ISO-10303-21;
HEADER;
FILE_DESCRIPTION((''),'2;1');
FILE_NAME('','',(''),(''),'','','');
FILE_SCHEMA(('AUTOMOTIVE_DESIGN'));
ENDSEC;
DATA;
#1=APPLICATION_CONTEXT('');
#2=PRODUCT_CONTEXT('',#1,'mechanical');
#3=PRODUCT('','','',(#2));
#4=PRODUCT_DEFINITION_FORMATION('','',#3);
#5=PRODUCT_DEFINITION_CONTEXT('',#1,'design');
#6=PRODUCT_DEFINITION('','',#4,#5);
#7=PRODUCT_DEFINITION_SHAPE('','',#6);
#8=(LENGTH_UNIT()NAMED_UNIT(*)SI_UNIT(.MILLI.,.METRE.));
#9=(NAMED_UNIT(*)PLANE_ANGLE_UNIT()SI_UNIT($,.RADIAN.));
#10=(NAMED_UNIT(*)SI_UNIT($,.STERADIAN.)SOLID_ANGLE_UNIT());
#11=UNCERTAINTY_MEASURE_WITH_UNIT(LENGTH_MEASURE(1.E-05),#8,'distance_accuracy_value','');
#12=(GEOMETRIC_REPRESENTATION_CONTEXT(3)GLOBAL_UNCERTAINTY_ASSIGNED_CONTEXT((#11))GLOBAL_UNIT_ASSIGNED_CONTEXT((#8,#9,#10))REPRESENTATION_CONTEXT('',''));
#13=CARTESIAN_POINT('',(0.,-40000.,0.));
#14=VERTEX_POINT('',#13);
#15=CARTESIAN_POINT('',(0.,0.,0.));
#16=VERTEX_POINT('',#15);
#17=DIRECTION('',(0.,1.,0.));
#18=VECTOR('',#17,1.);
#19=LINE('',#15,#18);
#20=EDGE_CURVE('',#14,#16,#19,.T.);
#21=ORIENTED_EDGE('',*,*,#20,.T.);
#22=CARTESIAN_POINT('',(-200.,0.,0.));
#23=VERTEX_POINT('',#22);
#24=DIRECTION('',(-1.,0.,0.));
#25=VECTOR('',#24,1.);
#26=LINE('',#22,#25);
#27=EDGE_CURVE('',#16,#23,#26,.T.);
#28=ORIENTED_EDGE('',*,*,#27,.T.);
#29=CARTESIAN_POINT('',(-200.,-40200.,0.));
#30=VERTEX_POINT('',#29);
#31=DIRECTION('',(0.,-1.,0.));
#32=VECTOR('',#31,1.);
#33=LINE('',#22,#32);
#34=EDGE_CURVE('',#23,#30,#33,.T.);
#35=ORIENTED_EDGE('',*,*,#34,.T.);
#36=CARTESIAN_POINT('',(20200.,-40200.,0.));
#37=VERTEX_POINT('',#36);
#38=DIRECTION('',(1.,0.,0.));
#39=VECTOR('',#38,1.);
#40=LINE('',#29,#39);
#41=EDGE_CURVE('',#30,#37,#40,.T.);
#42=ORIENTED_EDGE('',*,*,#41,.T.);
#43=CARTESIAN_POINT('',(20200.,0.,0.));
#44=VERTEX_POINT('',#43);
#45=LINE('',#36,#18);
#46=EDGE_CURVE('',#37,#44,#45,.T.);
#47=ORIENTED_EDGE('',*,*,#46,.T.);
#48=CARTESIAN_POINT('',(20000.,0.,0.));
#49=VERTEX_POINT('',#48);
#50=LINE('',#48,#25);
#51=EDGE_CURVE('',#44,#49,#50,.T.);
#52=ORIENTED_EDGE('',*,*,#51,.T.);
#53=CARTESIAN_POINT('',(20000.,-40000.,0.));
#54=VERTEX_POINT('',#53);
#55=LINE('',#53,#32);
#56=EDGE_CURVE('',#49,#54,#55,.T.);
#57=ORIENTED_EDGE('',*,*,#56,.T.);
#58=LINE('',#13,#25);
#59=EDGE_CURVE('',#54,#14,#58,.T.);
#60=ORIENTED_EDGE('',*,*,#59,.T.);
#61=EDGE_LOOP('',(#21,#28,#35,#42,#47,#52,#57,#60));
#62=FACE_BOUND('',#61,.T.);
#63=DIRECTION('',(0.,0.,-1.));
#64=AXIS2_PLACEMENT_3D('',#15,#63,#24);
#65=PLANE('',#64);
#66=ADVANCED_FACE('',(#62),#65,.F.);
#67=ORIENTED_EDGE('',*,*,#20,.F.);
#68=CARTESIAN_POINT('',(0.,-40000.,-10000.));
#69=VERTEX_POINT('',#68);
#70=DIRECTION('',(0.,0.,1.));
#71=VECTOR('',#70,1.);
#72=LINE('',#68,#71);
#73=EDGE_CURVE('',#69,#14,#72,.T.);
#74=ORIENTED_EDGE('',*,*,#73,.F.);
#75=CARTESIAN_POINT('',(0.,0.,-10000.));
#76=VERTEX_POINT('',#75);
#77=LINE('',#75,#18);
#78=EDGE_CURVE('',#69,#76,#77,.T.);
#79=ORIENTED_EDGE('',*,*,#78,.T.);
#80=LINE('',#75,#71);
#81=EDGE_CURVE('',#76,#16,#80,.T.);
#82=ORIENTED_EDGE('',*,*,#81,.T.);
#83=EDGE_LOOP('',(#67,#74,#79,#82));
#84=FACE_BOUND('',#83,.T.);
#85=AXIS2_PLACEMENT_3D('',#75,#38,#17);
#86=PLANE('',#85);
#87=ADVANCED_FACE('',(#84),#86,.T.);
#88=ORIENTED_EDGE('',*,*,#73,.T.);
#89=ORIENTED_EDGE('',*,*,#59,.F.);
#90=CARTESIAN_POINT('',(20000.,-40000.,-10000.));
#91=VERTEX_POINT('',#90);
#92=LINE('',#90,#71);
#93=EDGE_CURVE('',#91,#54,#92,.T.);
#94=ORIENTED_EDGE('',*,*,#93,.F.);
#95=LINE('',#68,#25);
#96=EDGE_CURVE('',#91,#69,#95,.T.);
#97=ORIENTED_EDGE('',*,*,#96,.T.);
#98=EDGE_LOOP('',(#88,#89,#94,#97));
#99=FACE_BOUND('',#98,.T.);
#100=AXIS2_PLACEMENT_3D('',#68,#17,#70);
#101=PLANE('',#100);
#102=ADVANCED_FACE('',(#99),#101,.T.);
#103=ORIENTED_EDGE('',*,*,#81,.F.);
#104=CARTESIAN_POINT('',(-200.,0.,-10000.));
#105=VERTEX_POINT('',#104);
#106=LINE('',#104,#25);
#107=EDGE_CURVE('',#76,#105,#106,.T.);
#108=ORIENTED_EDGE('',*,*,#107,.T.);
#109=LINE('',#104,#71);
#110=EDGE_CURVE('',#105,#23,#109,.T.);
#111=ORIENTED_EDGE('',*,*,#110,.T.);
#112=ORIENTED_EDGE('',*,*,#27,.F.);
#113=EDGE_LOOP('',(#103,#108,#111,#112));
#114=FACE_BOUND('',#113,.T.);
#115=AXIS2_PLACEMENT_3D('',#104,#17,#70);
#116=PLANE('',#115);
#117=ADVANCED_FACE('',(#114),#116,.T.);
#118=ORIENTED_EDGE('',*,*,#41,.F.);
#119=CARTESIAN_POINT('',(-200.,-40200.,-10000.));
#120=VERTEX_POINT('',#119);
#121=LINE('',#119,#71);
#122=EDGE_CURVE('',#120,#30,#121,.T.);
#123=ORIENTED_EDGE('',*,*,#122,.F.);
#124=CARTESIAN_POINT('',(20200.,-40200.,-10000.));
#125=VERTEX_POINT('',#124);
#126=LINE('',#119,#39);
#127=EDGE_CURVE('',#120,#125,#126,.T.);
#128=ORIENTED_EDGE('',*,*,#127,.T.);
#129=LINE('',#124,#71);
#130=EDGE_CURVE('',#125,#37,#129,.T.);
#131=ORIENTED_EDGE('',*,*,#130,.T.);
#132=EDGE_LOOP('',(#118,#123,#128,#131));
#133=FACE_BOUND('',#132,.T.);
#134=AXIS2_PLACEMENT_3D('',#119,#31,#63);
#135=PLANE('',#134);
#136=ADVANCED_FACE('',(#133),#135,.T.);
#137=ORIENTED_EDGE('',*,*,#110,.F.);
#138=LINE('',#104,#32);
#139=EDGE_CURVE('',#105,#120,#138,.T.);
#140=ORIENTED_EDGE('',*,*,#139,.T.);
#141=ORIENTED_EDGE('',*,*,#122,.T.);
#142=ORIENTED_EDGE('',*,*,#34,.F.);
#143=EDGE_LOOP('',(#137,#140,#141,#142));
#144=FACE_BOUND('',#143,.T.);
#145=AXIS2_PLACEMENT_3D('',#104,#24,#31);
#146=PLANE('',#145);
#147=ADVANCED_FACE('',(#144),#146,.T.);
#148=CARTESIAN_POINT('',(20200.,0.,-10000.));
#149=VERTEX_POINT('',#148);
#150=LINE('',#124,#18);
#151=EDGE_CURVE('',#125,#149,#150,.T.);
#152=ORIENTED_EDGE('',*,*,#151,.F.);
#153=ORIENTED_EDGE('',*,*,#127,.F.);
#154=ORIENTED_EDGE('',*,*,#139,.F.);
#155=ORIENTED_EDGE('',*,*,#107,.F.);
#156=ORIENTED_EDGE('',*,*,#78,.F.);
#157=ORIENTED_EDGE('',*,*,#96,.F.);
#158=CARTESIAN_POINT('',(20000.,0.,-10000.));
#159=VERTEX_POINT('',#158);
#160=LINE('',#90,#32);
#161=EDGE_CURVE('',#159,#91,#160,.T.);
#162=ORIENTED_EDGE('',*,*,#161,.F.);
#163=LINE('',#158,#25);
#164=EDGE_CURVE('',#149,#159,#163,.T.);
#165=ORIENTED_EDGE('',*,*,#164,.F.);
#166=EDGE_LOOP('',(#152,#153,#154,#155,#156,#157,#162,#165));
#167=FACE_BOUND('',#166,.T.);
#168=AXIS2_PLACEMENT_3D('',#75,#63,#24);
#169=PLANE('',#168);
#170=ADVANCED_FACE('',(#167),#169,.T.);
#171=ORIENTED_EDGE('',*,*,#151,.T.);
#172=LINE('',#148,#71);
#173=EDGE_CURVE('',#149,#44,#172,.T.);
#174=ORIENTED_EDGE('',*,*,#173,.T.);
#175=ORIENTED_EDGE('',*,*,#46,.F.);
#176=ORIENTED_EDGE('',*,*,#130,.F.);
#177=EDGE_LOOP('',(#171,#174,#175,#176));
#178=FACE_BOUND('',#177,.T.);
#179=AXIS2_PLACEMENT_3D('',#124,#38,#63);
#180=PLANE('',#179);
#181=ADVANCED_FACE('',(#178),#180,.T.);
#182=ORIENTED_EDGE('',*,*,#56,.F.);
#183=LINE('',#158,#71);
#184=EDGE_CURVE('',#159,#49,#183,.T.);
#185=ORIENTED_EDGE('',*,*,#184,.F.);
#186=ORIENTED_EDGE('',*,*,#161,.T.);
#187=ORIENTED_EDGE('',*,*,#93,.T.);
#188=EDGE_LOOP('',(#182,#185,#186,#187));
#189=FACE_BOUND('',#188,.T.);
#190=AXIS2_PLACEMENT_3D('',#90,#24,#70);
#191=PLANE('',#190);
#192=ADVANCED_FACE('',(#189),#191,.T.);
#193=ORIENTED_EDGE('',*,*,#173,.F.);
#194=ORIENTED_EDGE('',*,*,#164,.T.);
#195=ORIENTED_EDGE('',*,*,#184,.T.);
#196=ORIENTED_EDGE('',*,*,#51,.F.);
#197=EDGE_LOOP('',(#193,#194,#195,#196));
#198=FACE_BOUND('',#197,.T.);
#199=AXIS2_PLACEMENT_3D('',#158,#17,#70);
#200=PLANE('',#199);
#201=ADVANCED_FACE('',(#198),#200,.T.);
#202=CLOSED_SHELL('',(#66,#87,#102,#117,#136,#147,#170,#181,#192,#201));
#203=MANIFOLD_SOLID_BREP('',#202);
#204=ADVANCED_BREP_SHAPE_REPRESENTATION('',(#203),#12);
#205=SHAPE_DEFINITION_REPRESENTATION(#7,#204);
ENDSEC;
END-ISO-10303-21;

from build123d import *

# Parameters (mm, degrees)
BOSS_EXTRUDE1_DEPTH = 10000


with BuildPart() as part:
    # Sketch2 → Boss-Extrude1 (new body)
    with BuildSketch(Plane.XY):
        Polygon((0, 0), (0, -40000), (20000, -40000), (20000, 0), (20200, 0), (20200, -40200), (-200, -40200), (-200, 0), align=None)
    extrude(amount=-BOSS_EXTRUDE1_DEPTH)


solid = part.part
